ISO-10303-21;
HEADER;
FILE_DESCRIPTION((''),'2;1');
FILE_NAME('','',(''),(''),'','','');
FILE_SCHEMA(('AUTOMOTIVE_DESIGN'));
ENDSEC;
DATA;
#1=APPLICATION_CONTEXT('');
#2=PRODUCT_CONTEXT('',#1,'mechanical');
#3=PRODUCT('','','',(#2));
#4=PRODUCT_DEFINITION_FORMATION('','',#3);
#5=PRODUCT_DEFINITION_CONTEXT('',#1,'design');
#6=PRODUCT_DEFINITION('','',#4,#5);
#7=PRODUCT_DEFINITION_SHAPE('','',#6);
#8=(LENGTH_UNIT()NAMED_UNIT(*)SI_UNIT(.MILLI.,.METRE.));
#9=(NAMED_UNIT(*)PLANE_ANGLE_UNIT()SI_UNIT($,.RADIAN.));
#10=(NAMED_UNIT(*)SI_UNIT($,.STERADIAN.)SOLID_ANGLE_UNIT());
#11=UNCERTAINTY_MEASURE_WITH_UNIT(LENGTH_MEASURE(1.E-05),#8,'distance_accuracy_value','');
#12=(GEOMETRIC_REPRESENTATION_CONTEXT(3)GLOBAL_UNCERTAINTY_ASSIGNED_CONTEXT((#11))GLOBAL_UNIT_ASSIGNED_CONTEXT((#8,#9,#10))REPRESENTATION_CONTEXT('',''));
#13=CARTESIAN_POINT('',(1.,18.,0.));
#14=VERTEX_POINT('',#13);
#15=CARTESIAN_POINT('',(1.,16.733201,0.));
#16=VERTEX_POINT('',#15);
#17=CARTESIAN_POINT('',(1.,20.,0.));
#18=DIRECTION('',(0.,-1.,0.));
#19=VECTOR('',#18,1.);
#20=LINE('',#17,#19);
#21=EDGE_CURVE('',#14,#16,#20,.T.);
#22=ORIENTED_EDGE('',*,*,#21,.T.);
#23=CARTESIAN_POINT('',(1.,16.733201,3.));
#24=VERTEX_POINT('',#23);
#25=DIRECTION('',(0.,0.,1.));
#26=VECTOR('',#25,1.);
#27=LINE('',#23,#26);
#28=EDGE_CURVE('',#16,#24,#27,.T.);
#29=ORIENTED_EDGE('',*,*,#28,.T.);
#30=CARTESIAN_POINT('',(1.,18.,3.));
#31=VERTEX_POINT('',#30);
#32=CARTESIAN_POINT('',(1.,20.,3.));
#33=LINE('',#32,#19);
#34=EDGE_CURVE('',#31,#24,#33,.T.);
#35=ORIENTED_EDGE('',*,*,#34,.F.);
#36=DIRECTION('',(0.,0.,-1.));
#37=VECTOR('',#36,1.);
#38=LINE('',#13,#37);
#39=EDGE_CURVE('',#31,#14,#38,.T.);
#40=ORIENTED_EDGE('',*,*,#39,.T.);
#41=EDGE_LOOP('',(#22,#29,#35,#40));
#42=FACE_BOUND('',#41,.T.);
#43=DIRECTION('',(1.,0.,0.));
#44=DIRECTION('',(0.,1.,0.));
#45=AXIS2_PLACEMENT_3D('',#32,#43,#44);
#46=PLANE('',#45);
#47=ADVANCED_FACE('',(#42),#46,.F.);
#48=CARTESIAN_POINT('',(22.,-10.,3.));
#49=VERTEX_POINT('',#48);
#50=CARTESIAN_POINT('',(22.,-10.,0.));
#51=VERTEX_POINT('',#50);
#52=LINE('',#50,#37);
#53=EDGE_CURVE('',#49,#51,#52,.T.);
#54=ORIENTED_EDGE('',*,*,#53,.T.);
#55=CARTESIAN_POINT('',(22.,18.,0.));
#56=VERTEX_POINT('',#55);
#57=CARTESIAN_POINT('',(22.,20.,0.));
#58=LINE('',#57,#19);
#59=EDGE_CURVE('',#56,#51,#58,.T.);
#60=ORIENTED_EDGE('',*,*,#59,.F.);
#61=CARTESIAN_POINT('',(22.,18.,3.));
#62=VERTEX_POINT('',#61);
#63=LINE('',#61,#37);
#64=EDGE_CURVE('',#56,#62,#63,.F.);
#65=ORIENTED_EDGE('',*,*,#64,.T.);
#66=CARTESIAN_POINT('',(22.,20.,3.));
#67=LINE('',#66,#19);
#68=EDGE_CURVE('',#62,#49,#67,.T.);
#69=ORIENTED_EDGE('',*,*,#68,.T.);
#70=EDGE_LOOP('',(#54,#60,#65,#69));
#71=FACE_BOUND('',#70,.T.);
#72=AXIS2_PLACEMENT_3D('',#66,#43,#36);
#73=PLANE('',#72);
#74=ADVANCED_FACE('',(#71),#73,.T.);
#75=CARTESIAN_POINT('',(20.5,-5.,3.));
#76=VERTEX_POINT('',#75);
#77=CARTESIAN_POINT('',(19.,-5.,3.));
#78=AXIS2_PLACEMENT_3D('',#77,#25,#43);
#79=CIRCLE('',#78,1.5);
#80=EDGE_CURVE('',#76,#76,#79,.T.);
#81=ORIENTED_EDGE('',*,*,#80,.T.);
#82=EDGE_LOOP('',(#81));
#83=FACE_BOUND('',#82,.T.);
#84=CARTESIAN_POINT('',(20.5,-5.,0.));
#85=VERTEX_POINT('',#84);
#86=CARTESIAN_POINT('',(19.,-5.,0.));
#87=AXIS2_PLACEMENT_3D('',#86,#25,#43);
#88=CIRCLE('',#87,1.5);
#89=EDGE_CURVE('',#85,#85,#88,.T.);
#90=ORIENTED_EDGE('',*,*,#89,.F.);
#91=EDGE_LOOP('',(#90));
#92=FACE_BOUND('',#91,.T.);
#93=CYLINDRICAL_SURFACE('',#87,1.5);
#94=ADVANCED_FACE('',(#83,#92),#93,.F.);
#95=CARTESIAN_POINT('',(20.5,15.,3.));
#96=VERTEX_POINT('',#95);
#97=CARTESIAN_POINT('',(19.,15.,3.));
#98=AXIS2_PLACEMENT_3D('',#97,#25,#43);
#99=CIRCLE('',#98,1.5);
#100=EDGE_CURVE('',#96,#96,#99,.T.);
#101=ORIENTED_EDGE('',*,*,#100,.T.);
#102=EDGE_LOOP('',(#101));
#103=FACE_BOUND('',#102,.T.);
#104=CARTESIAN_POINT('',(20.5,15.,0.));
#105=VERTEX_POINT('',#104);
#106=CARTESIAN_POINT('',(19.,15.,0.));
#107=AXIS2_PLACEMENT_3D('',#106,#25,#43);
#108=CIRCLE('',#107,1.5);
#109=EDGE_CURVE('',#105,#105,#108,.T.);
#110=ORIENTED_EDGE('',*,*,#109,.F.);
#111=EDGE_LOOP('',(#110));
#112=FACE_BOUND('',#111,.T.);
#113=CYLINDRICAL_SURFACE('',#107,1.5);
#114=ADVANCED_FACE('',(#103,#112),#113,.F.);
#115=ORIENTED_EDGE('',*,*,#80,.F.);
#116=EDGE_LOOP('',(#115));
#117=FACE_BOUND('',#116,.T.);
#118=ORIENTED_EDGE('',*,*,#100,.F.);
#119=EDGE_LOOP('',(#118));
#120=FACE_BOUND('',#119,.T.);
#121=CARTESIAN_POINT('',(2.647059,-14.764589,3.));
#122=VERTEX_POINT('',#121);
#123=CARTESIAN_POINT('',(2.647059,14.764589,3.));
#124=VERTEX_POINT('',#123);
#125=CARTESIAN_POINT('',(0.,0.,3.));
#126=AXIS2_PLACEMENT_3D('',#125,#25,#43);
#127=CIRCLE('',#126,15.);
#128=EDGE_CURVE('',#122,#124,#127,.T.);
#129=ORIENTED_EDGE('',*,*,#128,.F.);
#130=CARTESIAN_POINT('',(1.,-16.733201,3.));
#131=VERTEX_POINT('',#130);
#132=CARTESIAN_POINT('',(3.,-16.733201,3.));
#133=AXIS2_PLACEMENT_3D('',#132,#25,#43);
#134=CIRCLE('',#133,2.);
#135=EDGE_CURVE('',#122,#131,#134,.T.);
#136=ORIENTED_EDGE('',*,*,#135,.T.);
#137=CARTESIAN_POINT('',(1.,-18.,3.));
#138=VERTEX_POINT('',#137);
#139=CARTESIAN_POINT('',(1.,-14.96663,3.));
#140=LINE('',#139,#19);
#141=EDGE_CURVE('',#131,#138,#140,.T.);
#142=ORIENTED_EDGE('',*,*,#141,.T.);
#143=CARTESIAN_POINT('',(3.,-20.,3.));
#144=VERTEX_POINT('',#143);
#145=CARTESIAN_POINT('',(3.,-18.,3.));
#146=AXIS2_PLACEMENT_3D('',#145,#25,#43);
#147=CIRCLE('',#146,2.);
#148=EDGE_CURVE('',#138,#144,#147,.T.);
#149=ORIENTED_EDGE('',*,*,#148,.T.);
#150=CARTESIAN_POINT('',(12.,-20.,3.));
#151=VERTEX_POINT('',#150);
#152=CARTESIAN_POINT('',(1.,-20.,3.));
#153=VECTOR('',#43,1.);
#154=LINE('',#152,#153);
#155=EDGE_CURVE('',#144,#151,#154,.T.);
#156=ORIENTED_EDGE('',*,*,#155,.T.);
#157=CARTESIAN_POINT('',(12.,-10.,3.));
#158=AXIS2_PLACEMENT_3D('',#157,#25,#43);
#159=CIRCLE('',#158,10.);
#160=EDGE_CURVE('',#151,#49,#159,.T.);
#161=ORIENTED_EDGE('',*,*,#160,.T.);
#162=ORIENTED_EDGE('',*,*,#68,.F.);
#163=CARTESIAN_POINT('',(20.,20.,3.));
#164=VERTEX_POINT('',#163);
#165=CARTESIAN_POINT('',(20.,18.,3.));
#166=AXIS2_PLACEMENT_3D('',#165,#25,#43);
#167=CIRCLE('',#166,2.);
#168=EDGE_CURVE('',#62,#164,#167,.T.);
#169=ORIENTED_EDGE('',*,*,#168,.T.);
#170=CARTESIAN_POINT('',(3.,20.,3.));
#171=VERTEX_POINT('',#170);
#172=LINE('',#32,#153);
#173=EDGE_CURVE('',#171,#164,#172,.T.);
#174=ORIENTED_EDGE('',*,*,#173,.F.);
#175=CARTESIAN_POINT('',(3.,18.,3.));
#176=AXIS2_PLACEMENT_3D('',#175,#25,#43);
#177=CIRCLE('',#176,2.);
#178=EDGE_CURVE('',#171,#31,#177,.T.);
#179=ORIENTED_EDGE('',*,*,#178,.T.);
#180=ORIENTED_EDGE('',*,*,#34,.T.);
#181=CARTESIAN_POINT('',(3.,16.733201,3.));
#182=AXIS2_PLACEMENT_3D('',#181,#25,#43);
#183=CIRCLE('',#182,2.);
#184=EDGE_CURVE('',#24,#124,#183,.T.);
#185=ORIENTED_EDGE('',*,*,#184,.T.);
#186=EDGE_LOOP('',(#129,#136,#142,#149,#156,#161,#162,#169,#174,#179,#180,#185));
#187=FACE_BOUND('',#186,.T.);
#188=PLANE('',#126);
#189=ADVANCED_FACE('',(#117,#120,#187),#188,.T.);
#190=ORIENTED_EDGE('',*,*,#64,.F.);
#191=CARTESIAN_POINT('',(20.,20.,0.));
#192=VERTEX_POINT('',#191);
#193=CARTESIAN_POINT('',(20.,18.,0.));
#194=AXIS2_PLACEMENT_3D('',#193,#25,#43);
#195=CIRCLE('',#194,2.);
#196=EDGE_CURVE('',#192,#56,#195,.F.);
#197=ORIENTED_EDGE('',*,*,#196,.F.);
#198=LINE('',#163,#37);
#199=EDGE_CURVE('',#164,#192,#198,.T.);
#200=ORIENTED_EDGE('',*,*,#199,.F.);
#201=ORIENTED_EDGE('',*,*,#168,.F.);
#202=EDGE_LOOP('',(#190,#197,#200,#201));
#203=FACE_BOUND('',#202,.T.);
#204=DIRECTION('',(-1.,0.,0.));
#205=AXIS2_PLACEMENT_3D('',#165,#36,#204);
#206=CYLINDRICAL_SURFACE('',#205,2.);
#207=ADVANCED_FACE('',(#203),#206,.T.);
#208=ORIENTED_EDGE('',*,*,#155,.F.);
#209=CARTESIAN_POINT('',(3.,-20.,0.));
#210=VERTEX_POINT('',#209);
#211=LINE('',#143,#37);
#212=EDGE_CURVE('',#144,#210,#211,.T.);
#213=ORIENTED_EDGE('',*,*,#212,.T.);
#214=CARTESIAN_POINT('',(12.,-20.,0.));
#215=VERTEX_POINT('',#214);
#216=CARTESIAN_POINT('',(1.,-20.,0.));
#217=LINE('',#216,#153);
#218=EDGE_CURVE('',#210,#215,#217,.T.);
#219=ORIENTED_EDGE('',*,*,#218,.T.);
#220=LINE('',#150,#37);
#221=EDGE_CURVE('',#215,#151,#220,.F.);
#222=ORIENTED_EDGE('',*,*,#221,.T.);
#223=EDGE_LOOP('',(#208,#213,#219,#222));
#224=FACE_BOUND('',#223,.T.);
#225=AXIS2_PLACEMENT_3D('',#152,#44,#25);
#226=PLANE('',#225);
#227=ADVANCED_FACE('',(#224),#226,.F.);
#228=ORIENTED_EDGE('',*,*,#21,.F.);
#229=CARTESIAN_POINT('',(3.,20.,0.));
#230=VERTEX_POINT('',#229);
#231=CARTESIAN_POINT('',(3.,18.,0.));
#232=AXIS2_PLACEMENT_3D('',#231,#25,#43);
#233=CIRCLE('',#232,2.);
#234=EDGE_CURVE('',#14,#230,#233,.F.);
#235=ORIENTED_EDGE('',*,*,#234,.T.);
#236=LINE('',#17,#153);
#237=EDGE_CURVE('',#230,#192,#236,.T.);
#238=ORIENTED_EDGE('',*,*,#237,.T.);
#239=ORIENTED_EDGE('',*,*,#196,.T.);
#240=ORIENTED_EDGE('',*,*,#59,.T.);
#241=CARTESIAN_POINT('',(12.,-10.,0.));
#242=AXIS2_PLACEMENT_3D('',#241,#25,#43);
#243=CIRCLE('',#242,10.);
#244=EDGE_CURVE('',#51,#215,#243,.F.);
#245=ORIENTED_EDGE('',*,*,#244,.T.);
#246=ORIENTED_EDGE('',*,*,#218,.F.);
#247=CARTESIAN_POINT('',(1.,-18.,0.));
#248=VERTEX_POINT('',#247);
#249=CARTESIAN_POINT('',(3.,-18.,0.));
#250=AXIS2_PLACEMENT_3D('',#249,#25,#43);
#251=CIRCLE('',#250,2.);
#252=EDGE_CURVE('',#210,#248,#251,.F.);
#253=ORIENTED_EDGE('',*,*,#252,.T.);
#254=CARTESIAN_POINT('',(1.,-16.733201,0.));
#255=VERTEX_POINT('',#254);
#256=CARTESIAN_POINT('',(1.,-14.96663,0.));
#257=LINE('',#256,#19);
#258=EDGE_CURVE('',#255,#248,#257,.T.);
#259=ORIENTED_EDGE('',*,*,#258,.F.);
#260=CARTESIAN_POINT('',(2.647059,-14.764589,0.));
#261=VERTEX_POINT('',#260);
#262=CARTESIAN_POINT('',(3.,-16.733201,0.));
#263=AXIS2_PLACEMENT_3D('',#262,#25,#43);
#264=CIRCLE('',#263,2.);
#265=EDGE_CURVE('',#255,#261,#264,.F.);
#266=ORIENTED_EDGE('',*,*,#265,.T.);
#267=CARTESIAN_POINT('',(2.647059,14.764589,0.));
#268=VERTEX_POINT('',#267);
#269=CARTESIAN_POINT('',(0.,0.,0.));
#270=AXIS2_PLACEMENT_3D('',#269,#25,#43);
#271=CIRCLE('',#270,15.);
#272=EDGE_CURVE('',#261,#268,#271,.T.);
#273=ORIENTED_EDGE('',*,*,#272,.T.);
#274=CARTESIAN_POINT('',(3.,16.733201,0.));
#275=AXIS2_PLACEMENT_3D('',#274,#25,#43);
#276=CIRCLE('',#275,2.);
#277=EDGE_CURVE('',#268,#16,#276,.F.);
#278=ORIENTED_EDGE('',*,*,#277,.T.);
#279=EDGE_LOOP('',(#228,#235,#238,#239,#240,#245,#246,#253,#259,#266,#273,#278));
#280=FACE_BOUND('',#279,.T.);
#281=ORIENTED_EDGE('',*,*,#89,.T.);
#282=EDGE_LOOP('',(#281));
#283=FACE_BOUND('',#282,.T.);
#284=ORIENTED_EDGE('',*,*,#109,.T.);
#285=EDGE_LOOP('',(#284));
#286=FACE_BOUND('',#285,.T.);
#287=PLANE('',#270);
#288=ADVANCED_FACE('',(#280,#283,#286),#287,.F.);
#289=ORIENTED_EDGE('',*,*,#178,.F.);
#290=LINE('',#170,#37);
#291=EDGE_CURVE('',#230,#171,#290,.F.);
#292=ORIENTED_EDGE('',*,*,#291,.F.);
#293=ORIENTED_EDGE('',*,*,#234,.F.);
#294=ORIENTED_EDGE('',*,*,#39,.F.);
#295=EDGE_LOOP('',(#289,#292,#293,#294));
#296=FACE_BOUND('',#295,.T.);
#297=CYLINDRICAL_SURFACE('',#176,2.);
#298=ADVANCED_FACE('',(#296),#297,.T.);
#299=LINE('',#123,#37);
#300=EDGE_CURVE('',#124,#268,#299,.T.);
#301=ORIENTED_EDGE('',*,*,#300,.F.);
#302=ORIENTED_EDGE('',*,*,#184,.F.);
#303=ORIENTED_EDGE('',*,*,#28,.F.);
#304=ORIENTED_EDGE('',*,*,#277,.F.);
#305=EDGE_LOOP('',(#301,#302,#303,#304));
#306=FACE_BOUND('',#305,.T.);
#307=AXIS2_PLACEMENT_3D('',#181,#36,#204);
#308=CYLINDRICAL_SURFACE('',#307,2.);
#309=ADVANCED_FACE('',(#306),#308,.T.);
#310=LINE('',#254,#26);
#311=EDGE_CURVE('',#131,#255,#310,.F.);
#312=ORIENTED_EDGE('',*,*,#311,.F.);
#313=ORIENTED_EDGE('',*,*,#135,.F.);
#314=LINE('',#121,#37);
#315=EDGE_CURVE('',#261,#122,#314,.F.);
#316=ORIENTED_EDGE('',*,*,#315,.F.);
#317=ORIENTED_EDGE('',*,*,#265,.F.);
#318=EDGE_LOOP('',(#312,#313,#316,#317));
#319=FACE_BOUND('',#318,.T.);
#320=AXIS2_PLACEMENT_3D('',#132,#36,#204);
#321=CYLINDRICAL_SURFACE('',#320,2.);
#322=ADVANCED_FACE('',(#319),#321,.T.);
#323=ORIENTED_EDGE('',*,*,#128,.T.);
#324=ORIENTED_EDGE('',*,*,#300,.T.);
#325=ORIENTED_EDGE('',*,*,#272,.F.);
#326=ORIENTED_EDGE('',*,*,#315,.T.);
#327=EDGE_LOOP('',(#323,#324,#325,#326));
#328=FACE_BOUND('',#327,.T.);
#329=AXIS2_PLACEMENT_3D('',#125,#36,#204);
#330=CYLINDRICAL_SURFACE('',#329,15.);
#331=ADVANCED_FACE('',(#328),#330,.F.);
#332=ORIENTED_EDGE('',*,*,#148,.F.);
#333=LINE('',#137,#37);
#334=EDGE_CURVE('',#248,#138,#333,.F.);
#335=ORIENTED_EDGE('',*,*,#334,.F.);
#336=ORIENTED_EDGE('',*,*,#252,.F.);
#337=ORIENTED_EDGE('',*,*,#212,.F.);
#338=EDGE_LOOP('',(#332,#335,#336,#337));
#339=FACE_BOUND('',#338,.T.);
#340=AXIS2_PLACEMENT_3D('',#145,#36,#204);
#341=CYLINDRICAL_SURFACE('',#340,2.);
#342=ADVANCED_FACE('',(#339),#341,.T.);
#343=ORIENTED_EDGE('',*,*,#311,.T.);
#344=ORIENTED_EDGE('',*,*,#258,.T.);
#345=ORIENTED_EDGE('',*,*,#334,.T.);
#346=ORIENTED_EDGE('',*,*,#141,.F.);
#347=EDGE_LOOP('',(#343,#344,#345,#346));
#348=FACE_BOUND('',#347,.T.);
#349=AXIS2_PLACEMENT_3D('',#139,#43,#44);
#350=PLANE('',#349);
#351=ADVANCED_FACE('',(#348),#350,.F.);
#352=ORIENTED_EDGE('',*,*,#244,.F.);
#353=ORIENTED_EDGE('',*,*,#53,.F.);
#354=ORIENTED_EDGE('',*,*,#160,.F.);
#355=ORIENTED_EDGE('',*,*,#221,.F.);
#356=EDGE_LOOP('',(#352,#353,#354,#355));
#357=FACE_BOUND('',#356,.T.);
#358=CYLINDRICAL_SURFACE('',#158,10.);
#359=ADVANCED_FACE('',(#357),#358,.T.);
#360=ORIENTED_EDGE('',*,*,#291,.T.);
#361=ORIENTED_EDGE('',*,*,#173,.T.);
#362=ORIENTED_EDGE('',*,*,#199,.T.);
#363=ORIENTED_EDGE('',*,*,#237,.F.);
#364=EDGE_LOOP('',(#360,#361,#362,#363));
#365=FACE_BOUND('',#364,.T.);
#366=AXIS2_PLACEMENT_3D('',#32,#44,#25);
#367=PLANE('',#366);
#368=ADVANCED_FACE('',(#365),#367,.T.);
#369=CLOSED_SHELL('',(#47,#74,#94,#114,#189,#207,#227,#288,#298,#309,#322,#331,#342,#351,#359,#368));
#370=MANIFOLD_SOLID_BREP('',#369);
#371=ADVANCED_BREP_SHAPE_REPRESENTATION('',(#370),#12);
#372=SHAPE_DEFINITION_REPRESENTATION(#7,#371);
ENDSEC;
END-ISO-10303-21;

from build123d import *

# Parameters (mm, degrees)
EXTRUDE_1_DEPTH     = 3
SKETCH_2_R          = 1.5
CUT_EXTRUDE_1_DEPTH = 30.883105595
FILLET_1_R          = 10
FILLET_2_R          = 2


with BuildPart() as part:
    # 草图1 → 凸台-拉伸1 (new body)
    with BuildSketch(Plane.XY):
        with BuildLine():
            Line((22, 20), (22, -20))
            Line((22, -20), (1, -20))
            Line((1, -20), (1, -14.966629547))
            ThreePointArc((1, -14.966629547), (15, 0), (1, 14.966629547))
            Line((1, 14.966629547), (1, 20))
            Line((1, 20), (22, 20))
        make_face()
    extrude(amount=EXTRUDE_1_DEPTH)

    # 草图2 → 切除-拉伸1 (cut, through all)
    with BuildSketch(Plane.XY.offset(3)):
        with Locations((19, 15)):
            Circle(SKETCH_2_R)
        with Locations((19, -5)):
            Circle(SKETCH_2_R)
    extrude(amount=-CUT_EXTRUDE_1_DEPTH, mode=Mode.SUBTRACT)

    # 圆角1
    fillet_1_edges = [part.edges().sort_by_distance(p)[0] for p in [
        (22, -20, 1.5),
    ]]
    fillet(fillet_1_edges, radius=FILLET_1_R)

    # 圆角2
    fillet_2_edges = [part.edges().sort_by_distance(p)[0] for p in [
        (1, 20, 1.5),
        (22, 20, 1.5),
        (1, -20, 1.5),
        (1, -14.966629547, 1.5),
        (1, 14.966629547, 1.5),
    ]]
    fillet(fillet_2_edges, radius=FILLET_2_R)


solid = part.part
